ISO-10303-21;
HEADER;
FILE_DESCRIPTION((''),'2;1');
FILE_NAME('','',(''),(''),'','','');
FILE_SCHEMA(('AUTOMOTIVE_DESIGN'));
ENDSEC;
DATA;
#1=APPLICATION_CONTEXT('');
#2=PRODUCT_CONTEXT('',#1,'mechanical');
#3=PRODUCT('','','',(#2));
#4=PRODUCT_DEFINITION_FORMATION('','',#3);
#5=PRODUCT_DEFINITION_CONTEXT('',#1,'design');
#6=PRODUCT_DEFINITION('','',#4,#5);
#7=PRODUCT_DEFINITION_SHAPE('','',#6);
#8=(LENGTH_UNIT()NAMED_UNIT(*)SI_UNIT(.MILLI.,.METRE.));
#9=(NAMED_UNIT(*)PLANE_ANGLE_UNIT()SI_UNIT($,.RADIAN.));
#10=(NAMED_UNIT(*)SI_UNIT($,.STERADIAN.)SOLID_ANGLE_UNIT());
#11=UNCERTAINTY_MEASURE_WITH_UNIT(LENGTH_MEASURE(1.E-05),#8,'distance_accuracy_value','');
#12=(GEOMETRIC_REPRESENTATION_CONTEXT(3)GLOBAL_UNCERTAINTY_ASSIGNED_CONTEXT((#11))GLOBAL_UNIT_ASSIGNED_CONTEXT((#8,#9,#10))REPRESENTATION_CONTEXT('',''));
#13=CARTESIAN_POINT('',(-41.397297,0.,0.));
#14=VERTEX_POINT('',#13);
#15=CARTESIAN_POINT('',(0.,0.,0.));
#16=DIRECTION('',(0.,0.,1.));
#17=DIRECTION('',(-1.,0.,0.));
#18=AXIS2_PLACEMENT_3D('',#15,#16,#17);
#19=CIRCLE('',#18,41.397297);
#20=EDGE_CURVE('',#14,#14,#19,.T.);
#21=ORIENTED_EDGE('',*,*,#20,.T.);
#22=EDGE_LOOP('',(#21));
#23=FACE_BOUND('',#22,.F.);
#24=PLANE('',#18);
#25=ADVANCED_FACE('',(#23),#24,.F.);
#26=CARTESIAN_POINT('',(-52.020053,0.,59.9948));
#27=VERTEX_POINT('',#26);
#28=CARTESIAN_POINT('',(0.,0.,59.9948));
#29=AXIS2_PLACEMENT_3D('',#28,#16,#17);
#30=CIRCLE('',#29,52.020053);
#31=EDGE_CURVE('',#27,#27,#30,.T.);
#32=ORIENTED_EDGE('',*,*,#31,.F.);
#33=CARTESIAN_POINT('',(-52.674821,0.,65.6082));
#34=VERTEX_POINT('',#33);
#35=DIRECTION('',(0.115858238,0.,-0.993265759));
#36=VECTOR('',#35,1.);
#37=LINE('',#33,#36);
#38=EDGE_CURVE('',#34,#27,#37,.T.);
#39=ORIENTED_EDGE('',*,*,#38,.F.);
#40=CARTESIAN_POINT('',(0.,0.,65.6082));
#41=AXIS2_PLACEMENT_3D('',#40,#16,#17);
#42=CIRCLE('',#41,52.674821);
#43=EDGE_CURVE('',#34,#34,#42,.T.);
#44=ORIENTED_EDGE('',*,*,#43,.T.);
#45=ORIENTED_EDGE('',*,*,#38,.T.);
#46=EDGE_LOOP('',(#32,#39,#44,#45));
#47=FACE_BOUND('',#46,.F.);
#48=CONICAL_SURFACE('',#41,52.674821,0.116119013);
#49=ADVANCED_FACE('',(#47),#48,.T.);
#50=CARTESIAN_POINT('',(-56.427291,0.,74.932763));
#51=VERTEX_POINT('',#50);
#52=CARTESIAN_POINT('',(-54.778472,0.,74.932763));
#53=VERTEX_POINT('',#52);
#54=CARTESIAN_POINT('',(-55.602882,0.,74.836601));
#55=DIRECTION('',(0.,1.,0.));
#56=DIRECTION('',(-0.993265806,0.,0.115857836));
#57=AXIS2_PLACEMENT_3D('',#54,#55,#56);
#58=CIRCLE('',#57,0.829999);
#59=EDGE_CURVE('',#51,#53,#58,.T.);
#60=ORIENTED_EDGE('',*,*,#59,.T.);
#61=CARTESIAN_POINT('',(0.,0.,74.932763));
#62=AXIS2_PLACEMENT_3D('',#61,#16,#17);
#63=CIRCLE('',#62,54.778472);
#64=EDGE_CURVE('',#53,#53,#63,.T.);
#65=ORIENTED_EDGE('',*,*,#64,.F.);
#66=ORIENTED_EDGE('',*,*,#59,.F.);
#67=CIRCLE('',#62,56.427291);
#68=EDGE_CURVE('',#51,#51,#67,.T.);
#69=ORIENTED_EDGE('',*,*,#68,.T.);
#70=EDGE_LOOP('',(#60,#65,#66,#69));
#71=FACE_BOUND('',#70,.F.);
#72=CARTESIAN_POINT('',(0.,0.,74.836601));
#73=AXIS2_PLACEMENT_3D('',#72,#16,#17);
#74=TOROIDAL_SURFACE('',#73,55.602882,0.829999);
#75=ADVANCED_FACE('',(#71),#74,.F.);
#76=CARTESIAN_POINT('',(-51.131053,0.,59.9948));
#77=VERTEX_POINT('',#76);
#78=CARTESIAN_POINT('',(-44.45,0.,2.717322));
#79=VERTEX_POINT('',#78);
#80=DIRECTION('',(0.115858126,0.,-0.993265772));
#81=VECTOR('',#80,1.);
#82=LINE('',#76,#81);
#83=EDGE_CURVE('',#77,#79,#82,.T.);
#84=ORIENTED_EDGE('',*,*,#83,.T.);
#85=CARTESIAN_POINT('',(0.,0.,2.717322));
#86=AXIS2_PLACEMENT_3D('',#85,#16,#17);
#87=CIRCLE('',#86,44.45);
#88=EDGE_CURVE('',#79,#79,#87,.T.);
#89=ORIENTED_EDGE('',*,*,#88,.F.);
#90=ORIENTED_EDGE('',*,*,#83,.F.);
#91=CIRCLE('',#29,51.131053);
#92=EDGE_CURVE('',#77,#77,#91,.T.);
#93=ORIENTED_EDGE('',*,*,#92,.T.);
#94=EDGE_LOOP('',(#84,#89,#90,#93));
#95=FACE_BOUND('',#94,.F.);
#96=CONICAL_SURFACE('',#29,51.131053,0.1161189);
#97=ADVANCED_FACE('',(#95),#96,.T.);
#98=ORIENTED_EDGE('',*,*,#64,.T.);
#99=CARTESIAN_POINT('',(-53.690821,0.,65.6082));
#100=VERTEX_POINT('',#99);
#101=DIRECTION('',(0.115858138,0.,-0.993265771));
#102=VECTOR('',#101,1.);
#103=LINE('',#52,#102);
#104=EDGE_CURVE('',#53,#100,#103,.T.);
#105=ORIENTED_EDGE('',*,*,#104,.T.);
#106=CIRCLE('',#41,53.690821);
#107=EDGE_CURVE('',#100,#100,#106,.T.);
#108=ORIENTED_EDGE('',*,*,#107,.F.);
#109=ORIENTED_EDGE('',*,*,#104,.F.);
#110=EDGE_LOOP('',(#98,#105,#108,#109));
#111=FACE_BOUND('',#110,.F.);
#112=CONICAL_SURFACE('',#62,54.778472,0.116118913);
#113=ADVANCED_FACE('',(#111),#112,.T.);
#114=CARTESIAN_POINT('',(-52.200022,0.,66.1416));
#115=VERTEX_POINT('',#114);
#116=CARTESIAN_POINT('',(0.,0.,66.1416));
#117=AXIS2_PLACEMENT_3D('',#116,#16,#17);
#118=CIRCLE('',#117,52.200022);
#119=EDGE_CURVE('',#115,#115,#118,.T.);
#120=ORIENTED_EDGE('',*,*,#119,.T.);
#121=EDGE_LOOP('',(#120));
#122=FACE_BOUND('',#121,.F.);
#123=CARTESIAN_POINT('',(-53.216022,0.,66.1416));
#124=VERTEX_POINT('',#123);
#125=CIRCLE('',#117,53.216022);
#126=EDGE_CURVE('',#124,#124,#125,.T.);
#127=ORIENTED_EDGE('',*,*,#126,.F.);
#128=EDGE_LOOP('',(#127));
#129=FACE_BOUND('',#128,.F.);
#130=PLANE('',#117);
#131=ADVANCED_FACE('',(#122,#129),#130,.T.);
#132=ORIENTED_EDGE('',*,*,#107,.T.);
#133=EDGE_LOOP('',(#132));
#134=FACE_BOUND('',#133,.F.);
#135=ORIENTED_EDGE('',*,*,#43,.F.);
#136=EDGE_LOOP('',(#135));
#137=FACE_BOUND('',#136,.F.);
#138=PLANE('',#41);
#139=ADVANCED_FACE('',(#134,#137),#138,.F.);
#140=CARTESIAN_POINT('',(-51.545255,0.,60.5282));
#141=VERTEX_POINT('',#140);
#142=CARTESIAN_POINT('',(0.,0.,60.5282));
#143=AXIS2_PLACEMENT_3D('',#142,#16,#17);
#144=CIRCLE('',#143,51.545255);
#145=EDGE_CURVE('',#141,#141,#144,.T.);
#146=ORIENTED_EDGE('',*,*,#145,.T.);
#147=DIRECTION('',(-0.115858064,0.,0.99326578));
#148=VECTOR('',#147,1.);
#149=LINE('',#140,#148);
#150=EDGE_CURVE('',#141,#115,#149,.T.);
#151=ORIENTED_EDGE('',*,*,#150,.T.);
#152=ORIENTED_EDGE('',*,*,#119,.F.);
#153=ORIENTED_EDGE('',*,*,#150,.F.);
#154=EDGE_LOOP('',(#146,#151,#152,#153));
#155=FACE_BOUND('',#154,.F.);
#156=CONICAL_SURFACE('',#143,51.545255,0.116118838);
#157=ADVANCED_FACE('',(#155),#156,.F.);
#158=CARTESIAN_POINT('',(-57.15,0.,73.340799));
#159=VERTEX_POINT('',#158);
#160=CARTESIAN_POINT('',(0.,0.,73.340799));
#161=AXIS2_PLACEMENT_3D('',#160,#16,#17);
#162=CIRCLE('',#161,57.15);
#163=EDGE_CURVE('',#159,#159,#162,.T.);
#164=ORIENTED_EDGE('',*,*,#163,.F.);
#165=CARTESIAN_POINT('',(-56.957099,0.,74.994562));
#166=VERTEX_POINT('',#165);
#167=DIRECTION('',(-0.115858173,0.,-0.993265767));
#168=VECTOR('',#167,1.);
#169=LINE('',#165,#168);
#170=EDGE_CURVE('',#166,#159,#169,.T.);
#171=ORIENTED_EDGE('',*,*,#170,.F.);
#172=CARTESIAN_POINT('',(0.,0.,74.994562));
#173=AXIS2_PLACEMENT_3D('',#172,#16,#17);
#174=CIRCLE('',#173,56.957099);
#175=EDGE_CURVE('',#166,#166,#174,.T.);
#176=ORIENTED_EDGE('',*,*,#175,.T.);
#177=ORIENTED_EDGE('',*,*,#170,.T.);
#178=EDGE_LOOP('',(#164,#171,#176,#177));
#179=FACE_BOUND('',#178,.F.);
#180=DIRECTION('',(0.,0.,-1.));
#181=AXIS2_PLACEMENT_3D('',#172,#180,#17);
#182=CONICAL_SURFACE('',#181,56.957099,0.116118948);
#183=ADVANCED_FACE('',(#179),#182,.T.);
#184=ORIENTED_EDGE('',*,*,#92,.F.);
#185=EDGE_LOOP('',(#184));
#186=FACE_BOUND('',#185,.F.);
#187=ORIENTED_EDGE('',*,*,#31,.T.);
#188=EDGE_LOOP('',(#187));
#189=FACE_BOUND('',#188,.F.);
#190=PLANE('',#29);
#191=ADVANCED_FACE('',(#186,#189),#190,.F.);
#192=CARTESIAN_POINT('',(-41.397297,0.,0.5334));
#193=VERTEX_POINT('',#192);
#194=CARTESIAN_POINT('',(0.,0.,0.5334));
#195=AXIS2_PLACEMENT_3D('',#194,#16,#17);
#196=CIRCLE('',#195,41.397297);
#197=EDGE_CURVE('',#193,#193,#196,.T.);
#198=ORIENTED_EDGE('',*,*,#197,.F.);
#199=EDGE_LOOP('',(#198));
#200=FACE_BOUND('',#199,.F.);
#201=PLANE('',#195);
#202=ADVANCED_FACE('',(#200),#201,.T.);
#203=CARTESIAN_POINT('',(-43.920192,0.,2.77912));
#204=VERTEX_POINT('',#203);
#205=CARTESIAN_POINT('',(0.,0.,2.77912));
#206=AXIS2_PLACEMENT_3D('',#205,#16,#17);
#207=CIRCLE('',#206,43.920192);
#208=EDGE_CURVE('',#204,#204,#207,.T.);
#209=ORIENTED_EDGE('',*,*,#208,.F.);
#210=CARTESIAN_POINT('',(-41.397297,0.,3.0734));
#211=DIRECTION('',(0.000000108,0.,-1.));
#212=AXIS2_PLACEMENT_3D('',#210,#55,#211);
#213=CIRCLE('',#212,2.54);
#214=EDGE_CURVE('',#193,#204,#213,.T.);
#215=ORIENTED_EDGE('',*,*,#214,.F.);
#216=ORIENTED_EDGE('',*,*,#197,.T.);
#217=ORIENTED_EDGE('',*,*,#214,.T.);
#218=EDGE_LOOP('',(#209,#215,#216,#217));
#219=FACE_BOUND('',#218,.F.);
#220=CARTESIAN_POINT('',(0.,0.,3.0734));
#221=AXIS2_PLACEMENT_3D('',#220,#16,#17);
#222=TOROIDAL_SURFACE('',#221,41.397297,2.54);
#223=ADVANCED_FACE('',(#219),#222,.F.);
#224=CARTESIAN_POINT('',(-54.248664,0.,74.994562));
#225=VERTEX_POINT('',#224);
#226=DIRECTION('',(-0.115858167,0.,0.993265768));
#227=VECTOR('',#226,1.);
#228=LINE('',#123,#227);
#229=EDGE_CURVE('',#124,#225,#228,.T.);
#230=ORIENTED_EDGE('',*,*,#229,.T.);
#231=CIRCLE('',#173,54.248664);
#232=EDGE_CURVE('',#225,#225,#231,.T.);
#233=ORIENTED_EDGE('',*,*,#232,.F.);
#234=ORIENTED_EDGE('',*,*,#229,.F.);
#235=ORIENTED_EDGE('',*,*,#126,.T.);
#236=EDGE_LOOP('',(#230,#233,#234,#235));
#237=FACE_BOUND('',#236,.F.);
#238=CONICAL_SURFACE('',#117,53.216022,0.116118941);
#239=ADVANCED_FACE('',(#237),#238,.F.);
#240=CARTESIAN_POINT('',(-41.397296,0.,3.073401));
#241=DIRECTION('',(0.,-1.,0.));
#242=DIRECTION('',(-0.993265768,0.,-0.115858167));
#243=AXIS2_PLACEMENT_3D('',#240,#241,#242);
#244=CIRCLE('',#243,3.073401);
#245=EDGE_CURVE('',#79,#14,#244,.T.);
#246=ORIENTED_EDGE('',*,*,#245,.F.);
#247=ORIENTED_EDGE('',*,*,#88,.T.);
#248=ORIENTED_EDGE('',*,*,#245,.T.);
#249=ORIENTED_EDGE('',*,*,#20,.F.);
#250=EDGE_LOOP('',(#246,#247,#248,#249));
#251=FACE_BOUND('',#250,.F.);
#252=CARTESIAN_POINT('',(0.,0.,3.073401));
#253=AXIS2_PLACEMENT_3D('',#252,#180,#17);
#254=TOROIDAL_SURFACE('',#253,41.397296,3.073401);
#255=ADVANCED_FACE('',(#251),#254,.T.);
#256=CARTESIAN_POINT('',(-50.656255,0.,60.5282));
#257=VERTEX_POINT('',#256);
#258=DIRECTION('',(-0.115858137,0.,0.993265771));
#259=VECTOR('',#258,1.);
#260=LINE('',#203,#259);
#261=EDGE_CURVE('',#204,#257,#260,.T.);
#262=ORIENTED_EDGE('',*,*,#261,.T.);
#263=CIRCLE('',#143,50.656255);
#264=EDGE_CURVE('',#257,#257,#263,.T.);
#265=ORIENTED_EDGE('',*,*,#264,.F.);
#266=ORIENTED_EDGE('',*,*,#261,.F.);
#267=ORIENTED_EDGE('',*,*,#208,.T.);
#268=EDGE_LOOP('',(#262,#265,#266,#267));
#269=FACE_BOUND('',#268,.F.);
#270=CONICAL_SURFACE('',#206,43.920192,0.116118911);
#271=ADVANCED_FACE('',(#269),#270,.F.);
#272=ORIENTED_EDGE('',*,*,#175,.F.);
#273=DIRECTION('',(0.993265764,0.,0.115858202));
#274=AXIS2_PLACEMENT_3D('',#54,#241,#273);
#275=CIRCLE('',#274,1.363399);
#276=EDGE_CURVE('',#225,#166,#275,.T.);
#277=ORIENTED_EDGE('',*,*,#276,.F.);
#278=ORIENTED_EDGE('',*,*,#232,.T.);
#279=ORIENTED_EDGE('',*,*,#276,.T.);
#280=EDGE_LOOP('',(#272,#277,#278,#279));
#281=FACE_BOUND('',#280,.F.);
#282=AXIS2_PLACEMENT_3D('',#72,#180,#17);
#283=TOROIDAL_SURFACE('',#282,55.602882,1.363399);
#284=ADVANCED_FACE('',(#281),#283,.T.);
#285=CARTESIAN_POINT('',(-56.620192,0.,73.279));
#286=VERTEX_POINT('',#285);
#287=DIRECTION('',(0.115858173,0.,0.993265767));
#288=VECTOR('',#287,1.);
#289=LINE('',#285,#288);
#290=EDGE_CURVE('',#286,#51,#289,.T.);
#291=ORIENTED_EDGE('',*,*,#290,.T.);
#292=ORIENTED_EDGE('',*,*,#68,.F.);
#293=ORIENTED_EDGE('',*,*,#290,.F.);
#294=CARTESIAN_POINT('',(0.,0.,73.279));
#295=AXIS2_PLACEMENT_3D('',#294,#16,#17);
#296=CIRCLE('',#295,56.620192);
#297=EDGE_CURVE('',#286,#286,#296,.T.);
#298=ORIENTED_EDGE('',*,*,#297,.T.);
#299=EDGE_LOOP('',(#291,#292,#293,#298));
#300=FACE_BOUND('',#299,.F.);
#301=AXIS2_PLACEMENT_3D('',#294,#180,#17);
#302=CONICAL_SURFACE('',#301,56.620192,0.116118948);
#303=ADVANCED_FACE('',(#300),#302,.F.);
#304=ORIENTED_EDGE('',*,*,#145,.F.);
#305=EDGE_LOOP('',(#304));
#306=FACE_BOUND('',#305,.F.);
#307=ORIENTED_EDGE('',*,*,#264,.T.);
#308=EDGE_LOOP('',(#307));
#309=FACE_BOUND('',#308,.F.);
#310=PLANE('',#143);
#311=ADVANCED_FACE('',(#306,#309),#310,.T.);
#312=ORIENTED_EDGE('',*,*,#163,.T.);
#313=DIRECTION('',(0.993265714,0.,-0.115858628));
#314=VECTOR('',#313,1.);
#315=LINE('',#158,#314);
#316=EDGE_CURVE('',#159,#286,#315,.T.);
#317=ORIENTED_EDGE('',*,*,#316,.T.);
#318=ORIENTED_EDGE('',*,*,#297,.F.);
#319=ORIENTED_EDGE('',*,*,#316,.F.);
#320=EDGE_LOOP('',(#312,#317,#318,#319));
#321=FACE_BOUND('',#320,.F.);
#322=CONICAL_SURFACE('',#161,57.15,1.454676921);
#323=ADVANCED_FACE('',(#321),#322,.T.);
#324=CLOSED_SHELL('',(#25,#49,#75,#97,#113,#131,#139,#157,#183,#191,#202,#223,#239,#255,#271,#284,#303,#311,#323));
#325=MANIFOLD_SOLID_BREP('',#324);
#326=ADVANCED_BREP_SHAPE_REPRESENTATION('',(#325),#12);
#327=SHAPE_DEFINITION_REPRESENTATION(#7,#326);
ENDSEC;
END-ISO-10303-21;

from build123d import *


with BuildPart() as f1:
    # F0 (on Front) → F1 (revolve)
    with BuildSketch(Plane.XZ):
        with BuildLine():
            Line((-41.397297, 0), (0, 0))
            Line((0, 0), (0, 0.5334))
            Line((0, 0.5334), (-41.397297, 0.5334))
            ThreePointArc((-41.397297, 0.5334), (-43.086103, 1.176156), (-43.920192, 2.77912))
            Line((-43.920192, 2.77912), (-50.656255, 60.5282))
            Line((-50.656255, 60.5282), (-51.545255, 60.5282))
            Line((-51.545255, 60.5282), (-52.200022, 66.1416))
            Line((-52.200022, 66.1416), (-53.216022, 66.1416))
            Line((-53.216022, 66.1416), (-54.248664, 74.994562))
            ThreePointArc((-54.248664, 74.994562), (-55.602881, 76.2), (-56.957099, 74.994562))
            Line((-56.957099, 74.994562), (-57.15, 73.340799))
            Line((-57.15, 73.340799), (-56.620192, 73.279))
            Line((-56.620192, 73.279), (-56.427291, 74.932763))
            ThreePointArc((-56.427291, 74.932763), (-55.602881, 75.6666), (-54.778472, 74.932763))
            Line((-54.778472, 74.932763), (-53.690821, 65.6082))
            Line((-53.690821, 65.6082), (-52.674821, 65.6082))
            Line((-52.674821, 65.6082), (-52.020053, 59.9948))
            Line((-52.020053, 59.9948), (-51.131053, 59.9948))
            Line((-51.131053, 59.9948), (-44.45, 2.717322))
            ThreePointArc((-44.45, 2.717322), (-43.440752, 0.777735), (-41.397297, 0))
        make_face()
    revolve(axis=Axis((0, 0, 27.968097), (0, 0, 1)))


solid = f1.part
